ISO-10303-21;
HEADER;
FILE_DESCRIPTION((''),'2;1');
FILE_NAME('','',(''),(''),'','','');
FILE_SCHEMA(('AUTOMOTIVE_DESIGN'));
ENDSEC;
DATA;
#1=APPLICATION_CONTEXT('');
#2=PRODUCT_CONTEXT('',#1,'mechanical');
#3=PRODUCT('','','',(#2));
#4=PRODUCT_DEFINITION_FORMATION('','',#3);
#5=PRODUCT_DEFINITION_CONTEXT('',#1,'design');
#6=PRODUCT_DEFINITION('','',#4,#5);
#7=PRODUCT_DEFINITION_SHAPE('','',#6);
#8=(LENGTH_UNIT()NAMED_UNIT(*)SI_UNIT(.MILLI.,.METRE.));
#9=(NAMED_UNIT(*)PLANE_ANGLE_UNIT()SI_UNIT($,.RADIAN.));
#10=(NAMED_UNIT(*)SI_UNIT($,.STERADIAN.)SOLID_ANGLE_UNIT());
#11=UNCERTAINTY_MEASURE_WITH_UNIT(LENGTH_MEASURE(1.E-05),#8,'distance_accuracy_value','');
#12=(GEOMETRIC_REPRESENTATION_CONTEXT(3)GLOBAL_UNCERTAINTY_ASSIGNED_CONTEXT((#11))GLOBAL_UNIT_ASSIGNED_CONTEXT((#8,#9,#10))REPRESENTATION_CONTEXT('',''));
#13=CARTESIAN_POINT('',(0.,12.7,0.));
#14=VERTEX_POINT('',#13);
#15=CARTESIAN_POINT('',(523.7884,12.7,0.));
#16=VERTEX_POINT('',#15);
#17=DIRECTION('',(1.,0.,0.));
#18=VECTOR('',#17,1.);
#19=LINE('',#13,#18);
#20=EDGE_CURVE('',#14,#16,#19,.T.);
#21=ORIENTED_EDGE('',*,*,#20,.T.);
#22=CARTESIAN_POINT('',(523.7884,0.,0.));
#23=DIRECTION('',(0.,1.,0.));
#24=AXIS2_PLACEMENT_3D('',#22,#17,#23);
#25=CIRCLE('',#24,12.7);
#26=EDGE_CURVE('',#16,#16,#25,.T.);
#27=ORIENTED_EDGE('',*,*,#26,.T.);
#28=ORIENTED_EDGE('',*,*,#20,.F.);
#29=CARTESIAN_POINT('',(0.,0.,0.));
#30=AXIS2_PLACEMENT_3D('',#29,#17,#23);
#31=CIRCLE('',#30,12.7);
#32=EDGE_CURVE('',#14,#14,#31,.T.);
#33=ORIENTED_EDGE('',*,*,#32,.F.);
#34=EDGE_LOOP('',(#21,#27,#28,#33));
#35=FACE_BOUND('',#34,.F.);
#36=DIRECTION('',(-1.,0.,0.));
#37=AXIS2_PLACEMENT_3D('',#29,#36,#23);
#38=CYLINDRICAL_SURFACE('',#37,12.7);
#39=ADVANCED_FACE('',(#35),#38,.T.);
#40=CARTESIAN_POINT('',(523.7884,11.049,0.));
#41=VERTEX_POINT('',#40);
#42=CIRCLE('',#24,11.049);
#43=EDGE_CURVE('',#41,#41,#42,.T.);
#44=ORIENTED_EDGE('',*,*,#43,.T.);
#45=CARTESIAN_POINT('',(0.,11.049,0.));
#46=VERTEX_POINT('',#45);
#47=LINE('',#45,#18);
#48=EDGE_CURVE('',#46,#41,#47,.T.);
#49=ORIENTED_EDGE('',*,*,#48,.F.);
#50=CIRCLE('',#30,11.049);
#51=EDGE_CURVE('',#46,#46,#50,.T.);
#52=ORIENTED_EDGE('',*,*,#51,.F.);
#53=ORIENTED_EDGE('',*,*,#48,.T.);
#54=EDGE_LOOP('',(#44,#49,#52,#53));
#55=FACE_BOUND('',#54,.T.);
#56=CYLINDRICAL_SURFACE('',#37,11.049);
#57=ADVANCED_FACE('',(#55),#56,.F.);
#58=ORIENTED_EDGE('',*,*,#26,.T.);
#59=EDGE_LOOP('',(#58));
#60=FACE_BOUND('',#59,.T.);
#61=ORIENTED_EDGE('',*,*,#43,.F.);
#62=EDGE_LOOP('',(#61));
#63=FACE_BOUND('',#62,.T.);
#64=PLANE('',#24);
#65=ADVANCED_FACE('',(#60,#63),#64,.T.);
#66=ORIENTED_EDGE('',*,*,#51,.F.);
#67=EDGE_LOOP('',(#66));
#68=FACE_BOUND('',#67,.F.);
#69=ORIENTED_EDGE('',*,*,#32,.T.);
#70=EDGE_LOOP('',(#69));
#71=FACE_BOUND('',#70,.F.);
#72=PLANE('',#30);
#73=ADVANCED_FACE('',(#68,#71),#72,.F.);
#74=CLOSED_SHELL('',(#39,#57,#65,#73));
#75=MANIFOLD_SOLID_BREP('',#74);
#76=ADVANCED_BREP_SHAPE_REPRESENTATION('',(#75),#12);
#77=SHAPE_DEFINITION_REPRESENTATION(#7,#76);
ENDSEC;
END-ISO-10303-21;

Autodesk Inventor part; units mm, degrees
ref_plane "XZ Plane" through (0, 0, 0) normal (0, 1, 0) x (-1, 0, 0)
ref_plane "Start Plane" through (0, 0, 0) normal (1, 0, 0) x (0, 1, 0)
ref_plane "End Plane" through (523.7884, 0, 0) normal (1, 0, 0) x (0, 1, 0)
sketch "Sketch" plane through (0, 0, 0) normal (1, 0, 0) x (0, 1, 0)
  circle A0 centre (0, 0) radius 12.7
  circle A1 centre (0, 0) radius 11.049
  dimension "d0" = 25.4
  dimension "d1" = 1.651
extrude "Body" add sketch "Sketch" along normal up to surface (523.7884 mm away) from surface at 0
sketch "Sketch2" plane through (0, 0, 0) normal (1, 0, 0) x (0, 1, 0)
  line L0 (0, 0) -> (10, 0)
ref_plane "Work Plane3" through (0, 0, 0) normal (0, 0, -1) x (0, 1, 0)
sketch "Sketch3" plane through (0, 0, 0) normal (0, 0, -1) x (0, 1, 0)
  line L0 (-2, 0) -> (12, 0)
  line L1 (-2, 523.7884) -> (12, 523.7884)
  dimension "d9" = 523.7884
equation "\"G_OFFSET_START\" = 0"
equation "\"G_OFFSET_END\" = 0"
equation "\"d5\" = d2 + G_OFFSET_END"
equation "\"G_L\" = d9"
equation "\"d2\" = 523.788402"
properties part number "4130_1x0.065" material "Steel, Alloy"
